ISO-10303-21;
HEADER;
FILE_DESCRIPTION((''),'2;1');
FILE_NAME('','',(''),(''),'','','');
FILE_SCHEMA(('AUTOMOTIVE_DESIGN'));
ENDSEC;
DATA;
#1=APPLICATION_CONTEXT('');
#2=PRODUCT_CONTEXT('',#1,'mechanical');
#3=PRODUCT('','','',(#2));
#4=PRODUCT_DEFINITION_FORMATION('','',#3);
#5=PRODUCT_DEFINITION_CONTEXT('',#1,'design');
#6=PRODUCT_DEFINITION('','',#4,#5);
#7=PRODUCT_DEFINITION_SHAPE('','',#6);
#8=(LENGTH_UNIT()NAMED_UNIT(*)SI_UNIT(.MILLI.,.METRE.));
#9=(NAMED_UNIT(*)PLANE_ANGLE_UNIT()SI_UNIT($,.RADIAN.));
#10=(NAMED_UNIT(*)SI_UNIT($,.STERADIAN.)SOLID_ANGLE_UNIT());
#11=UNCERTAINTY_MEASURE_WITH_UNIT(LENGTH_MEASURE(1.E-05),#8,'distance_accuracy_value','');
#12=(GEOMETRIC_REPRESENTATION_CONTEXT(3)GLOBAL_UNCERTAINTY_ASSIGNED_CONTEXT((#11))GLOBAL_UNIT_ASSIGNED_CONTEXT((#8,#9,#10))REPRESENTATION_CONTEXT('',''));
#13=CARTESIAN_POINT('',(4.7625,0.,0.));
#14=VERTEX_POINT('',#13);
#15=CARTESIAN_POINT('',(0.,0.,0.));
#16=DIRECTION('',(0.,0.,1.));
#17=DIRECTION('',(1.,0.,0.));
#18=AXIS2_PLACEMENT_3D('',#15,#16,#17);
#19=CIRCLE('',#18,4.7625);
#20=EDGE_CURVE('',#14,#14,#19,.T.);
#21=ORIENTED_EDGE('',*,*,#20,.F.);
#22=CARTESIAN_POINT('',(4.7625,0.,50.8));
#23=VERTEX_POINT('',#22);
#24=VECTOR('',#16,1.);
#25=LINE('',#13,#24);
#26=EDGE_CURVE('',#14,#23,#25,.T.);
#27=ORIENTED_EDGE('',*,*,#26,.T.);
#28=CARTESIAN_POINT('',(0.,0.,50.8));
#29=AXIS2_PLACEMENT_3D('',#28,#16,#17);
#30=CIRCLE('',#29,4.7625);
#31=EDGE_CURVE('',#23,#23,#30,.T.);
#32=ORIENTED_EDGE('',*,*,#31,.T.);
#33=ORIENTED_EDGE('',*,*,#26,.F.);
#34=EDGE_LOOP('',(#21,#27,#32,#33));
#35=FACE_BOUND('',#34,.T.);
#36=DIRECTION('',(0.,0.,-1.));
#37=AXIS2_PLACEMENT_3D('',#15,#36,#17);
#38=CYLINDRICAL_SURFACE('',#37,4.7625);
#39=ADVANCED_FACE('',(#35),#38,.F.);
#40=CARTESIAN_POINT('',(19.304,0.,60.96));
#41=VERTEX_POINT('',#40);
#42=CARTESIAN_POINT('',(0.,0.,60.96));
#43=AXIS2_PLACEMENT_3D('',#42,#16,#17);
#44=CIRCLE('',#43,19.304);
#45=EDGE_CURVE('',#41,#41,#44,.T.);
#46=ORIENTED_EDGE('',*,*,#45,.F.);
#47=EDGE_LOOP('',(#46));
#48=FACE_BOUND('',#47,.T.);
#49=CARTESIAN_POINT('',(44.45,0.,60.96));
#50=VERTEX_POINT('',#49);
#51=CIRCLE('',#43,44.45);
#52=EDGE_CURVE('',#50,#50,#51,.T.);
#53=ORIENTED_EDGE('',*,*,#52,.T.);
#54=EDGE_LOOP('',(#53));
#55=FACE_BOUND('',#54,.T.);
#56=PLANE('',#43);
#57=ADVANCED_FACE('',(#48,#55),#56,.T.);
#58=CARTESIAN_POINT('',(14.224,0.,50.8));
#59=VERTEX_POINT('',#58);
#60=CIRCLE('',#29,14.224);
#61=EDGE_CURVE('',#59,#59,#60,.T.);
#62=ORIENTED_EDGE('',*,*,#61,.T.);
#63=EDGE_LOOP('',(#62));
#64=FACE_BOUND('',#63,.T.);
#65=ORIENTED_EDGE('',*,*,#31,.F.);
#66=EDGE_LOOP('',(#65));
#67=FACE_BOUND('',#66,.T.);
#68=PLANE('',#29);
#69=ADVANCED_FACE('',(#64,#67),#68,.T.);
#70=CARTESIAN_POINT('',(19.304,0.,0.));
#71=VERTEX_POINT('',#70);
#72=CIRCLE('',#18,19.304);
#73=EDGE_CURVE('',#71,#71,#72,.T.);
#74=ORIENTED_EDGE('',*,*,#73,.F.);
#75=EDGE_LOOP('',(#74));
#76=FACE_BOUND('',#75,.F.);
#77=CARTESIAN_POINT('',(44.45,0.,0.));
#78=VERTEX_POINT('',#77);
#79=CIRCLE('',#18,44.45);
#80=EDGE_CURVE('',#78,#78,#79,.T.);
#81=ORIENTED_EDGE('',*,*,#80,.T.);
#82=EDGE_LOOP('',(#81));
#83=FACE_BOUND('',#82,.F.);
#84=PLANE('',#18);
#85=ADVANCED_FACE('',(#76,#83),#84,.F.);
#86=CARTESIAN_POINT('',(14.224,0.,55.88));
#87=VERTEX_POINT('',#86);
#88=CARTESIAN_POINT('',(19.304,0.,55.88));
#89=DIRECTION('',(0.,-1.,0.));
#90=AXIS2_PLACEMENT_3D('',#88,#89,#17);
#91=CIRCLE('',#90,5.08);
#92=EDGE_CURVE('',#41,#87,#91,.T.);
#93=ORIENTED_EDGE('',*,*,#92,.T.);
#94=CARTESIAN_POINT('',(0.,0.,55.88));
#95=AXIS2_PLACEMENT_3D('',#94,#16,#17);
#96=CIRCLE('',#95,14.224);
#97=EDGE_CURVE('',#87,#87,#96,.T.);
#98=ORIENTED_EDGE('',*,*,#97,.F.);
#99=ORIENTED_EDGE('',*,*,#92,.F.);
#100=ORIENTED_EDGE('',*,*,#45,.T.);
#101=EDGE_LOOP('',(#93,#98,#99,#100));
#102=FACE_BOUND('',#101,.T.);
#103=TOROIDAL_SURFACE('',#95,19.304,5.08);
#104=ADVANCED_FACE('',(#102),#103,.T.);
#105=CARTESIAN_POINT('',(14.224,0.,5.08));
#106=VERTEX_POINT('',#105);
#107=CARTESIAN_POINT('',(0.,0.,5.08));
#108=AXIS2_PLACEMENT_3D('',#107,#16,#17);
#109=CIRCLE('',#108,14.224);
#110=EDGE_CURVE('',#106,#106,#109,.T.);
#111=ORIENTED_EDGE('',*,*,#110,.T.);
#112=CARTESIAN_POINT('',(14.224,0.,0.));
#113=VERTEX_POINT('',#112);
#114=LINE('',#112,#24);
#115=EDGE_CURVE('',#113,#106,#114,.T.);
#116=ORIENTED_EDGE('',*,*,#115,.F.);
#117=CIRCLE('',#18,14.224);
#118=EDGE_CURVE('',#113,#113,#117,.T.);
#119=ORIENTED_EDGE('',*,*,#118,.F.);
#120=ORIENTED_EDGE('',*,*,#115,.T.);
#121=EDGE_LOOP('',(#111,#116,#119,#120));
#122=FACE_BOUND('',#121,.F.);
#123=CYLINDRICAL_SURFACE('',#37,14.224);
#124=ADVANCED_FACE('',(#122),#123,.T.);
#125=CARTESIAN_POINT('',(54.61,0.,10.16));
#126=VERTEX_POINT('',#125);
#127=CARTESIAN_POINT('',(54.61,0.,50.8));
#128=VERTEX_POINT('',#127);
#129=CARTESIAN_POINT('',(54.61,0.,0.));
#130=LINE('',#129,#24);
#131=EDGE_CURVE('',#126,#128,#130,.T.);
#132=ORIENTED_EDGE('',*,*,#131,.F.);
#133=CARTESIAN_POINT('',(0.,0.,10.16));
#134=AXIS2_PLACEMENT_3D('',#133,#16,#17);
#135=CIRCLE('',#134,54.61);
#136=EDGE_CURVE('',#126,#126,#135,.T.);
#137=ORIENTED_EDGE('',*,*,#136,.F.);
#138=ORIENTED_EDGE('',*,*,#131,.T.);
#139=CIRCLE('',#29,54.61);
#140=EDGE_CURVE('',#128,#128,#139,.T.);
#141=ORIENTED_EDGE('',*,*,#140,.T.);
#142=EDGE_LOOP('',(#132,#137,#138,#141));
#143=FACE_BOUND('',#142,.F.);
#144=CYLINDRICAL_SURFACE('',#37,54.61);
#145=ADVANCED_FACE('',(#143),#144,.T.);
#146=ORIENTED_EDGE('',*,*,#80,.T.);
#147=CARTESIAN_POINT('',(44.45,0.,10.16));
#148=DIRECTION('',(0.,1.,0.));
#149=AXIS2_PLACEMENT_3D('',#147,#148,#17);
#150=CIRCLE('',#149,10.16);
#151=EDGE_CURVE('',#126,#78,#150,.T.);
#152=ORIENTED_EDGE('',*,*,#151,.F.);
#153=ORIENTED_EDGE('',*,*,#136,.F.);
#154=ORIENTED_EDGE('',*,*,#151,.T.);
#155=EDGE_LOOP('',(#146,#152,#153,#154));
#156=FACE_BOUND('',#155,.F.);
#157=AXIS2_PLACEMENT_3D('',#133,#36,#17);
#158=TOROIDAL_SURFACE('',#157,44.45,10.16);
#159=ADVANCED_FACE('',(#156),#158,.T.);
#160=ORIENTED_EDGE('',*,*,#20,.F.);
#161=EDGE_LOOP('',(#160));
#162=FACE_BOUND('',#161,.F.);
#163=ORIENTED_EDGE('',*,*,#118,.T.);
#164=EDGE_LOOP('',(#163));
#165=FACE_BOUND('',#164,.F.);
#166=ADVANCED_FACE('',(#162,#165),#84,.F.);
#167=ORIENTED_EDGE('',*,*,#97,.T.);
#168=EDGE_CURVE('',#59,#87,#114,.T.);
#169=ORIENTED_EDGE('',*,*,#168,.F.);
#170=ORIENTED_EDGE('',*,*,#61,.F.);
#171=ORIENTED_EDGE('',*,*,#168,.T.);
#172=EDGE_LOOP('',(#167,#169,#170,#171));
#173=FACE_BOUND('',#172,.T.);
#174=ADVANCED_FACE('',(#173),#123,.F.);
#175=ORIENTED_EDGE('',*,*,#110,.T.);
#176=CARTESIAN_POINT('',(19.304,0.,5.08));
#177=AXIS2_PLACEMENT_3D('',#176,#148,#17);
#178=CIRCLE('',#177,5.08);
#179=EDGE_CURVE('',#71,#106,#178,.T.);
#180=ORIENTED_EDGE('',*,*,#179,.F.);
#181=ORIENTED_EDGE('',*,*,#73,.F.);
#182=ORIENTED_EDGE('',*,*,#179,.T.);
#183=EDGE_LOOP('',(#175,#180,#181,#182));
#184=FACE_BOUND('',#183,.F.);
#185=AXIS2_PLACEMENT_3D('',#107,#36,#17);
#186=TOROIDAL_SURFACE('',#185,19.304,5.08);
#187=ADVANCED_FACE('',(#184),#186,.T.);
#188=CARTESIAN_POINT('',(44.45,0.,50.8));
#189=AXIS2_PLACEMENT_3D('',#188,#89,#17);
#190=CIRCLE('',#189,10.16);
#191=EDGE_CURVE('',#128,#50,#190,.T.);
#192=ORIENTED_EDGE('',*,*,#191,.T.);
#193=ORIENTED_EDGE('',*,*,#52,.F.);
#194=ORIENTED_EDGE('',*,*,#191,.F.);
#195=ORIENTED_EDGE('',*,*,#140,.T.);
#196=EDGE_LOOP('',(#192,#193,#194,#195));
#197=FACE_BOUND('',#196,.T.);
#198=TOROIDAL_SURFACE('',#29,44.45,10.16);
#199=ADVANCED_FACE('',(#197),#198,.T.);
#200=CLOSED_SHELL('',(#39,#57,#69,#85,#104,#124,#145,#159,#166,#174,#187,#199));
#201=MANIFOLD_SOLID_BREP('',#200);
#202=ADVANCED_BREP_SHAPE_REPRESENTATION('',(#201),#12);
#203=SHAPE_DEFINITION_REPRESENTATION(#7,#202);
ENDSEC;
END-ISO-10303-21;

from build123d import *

# Parameters (mm, degrees)
F0_R     = 54.61
F0_R_2   = 14.224
F1_DEPTH = 60.96
F2_R     = 10.16
F3_R     = 5.08
F0_R_3   = 4.7625
F4_DEPTH = 50.8


with BuildPart() as f1:
    # F0 (on Top) → F1 (new body)
    with BuildSketch(Plane.XY):
        Circle(F0_R)
        Circle(F0_R_2, mode=Mode.SUBTRACT)
    extrude(amount=F1_DEPTH)

    # F2
    f2_edges = [f1.edges().sort_by_distance(p)[0] for p in [
        (-54.61, 0, 0),
        (-54.61, 0, 60.96),
    ]]
    fillet(f2_edges, radius=F2_R)

    # F3
    f3_edges = [f1.edges().sort_by_distance(p)[0] for p in [
        (-14.224, 0, 60.96),
        (-14.224, 0, 0),
    ]]
    fillet(f3_edges, radius=F3_R)

    # F0 (on Top) → F4 (join)
    with BuildSketch(Plane.XY):
        Circle(F0_R_2)
        Circle(F0_R_3, mode=Mode.SUBTRACT)
    extrude(amount=F4_DEPTH)


solid = f1.part
